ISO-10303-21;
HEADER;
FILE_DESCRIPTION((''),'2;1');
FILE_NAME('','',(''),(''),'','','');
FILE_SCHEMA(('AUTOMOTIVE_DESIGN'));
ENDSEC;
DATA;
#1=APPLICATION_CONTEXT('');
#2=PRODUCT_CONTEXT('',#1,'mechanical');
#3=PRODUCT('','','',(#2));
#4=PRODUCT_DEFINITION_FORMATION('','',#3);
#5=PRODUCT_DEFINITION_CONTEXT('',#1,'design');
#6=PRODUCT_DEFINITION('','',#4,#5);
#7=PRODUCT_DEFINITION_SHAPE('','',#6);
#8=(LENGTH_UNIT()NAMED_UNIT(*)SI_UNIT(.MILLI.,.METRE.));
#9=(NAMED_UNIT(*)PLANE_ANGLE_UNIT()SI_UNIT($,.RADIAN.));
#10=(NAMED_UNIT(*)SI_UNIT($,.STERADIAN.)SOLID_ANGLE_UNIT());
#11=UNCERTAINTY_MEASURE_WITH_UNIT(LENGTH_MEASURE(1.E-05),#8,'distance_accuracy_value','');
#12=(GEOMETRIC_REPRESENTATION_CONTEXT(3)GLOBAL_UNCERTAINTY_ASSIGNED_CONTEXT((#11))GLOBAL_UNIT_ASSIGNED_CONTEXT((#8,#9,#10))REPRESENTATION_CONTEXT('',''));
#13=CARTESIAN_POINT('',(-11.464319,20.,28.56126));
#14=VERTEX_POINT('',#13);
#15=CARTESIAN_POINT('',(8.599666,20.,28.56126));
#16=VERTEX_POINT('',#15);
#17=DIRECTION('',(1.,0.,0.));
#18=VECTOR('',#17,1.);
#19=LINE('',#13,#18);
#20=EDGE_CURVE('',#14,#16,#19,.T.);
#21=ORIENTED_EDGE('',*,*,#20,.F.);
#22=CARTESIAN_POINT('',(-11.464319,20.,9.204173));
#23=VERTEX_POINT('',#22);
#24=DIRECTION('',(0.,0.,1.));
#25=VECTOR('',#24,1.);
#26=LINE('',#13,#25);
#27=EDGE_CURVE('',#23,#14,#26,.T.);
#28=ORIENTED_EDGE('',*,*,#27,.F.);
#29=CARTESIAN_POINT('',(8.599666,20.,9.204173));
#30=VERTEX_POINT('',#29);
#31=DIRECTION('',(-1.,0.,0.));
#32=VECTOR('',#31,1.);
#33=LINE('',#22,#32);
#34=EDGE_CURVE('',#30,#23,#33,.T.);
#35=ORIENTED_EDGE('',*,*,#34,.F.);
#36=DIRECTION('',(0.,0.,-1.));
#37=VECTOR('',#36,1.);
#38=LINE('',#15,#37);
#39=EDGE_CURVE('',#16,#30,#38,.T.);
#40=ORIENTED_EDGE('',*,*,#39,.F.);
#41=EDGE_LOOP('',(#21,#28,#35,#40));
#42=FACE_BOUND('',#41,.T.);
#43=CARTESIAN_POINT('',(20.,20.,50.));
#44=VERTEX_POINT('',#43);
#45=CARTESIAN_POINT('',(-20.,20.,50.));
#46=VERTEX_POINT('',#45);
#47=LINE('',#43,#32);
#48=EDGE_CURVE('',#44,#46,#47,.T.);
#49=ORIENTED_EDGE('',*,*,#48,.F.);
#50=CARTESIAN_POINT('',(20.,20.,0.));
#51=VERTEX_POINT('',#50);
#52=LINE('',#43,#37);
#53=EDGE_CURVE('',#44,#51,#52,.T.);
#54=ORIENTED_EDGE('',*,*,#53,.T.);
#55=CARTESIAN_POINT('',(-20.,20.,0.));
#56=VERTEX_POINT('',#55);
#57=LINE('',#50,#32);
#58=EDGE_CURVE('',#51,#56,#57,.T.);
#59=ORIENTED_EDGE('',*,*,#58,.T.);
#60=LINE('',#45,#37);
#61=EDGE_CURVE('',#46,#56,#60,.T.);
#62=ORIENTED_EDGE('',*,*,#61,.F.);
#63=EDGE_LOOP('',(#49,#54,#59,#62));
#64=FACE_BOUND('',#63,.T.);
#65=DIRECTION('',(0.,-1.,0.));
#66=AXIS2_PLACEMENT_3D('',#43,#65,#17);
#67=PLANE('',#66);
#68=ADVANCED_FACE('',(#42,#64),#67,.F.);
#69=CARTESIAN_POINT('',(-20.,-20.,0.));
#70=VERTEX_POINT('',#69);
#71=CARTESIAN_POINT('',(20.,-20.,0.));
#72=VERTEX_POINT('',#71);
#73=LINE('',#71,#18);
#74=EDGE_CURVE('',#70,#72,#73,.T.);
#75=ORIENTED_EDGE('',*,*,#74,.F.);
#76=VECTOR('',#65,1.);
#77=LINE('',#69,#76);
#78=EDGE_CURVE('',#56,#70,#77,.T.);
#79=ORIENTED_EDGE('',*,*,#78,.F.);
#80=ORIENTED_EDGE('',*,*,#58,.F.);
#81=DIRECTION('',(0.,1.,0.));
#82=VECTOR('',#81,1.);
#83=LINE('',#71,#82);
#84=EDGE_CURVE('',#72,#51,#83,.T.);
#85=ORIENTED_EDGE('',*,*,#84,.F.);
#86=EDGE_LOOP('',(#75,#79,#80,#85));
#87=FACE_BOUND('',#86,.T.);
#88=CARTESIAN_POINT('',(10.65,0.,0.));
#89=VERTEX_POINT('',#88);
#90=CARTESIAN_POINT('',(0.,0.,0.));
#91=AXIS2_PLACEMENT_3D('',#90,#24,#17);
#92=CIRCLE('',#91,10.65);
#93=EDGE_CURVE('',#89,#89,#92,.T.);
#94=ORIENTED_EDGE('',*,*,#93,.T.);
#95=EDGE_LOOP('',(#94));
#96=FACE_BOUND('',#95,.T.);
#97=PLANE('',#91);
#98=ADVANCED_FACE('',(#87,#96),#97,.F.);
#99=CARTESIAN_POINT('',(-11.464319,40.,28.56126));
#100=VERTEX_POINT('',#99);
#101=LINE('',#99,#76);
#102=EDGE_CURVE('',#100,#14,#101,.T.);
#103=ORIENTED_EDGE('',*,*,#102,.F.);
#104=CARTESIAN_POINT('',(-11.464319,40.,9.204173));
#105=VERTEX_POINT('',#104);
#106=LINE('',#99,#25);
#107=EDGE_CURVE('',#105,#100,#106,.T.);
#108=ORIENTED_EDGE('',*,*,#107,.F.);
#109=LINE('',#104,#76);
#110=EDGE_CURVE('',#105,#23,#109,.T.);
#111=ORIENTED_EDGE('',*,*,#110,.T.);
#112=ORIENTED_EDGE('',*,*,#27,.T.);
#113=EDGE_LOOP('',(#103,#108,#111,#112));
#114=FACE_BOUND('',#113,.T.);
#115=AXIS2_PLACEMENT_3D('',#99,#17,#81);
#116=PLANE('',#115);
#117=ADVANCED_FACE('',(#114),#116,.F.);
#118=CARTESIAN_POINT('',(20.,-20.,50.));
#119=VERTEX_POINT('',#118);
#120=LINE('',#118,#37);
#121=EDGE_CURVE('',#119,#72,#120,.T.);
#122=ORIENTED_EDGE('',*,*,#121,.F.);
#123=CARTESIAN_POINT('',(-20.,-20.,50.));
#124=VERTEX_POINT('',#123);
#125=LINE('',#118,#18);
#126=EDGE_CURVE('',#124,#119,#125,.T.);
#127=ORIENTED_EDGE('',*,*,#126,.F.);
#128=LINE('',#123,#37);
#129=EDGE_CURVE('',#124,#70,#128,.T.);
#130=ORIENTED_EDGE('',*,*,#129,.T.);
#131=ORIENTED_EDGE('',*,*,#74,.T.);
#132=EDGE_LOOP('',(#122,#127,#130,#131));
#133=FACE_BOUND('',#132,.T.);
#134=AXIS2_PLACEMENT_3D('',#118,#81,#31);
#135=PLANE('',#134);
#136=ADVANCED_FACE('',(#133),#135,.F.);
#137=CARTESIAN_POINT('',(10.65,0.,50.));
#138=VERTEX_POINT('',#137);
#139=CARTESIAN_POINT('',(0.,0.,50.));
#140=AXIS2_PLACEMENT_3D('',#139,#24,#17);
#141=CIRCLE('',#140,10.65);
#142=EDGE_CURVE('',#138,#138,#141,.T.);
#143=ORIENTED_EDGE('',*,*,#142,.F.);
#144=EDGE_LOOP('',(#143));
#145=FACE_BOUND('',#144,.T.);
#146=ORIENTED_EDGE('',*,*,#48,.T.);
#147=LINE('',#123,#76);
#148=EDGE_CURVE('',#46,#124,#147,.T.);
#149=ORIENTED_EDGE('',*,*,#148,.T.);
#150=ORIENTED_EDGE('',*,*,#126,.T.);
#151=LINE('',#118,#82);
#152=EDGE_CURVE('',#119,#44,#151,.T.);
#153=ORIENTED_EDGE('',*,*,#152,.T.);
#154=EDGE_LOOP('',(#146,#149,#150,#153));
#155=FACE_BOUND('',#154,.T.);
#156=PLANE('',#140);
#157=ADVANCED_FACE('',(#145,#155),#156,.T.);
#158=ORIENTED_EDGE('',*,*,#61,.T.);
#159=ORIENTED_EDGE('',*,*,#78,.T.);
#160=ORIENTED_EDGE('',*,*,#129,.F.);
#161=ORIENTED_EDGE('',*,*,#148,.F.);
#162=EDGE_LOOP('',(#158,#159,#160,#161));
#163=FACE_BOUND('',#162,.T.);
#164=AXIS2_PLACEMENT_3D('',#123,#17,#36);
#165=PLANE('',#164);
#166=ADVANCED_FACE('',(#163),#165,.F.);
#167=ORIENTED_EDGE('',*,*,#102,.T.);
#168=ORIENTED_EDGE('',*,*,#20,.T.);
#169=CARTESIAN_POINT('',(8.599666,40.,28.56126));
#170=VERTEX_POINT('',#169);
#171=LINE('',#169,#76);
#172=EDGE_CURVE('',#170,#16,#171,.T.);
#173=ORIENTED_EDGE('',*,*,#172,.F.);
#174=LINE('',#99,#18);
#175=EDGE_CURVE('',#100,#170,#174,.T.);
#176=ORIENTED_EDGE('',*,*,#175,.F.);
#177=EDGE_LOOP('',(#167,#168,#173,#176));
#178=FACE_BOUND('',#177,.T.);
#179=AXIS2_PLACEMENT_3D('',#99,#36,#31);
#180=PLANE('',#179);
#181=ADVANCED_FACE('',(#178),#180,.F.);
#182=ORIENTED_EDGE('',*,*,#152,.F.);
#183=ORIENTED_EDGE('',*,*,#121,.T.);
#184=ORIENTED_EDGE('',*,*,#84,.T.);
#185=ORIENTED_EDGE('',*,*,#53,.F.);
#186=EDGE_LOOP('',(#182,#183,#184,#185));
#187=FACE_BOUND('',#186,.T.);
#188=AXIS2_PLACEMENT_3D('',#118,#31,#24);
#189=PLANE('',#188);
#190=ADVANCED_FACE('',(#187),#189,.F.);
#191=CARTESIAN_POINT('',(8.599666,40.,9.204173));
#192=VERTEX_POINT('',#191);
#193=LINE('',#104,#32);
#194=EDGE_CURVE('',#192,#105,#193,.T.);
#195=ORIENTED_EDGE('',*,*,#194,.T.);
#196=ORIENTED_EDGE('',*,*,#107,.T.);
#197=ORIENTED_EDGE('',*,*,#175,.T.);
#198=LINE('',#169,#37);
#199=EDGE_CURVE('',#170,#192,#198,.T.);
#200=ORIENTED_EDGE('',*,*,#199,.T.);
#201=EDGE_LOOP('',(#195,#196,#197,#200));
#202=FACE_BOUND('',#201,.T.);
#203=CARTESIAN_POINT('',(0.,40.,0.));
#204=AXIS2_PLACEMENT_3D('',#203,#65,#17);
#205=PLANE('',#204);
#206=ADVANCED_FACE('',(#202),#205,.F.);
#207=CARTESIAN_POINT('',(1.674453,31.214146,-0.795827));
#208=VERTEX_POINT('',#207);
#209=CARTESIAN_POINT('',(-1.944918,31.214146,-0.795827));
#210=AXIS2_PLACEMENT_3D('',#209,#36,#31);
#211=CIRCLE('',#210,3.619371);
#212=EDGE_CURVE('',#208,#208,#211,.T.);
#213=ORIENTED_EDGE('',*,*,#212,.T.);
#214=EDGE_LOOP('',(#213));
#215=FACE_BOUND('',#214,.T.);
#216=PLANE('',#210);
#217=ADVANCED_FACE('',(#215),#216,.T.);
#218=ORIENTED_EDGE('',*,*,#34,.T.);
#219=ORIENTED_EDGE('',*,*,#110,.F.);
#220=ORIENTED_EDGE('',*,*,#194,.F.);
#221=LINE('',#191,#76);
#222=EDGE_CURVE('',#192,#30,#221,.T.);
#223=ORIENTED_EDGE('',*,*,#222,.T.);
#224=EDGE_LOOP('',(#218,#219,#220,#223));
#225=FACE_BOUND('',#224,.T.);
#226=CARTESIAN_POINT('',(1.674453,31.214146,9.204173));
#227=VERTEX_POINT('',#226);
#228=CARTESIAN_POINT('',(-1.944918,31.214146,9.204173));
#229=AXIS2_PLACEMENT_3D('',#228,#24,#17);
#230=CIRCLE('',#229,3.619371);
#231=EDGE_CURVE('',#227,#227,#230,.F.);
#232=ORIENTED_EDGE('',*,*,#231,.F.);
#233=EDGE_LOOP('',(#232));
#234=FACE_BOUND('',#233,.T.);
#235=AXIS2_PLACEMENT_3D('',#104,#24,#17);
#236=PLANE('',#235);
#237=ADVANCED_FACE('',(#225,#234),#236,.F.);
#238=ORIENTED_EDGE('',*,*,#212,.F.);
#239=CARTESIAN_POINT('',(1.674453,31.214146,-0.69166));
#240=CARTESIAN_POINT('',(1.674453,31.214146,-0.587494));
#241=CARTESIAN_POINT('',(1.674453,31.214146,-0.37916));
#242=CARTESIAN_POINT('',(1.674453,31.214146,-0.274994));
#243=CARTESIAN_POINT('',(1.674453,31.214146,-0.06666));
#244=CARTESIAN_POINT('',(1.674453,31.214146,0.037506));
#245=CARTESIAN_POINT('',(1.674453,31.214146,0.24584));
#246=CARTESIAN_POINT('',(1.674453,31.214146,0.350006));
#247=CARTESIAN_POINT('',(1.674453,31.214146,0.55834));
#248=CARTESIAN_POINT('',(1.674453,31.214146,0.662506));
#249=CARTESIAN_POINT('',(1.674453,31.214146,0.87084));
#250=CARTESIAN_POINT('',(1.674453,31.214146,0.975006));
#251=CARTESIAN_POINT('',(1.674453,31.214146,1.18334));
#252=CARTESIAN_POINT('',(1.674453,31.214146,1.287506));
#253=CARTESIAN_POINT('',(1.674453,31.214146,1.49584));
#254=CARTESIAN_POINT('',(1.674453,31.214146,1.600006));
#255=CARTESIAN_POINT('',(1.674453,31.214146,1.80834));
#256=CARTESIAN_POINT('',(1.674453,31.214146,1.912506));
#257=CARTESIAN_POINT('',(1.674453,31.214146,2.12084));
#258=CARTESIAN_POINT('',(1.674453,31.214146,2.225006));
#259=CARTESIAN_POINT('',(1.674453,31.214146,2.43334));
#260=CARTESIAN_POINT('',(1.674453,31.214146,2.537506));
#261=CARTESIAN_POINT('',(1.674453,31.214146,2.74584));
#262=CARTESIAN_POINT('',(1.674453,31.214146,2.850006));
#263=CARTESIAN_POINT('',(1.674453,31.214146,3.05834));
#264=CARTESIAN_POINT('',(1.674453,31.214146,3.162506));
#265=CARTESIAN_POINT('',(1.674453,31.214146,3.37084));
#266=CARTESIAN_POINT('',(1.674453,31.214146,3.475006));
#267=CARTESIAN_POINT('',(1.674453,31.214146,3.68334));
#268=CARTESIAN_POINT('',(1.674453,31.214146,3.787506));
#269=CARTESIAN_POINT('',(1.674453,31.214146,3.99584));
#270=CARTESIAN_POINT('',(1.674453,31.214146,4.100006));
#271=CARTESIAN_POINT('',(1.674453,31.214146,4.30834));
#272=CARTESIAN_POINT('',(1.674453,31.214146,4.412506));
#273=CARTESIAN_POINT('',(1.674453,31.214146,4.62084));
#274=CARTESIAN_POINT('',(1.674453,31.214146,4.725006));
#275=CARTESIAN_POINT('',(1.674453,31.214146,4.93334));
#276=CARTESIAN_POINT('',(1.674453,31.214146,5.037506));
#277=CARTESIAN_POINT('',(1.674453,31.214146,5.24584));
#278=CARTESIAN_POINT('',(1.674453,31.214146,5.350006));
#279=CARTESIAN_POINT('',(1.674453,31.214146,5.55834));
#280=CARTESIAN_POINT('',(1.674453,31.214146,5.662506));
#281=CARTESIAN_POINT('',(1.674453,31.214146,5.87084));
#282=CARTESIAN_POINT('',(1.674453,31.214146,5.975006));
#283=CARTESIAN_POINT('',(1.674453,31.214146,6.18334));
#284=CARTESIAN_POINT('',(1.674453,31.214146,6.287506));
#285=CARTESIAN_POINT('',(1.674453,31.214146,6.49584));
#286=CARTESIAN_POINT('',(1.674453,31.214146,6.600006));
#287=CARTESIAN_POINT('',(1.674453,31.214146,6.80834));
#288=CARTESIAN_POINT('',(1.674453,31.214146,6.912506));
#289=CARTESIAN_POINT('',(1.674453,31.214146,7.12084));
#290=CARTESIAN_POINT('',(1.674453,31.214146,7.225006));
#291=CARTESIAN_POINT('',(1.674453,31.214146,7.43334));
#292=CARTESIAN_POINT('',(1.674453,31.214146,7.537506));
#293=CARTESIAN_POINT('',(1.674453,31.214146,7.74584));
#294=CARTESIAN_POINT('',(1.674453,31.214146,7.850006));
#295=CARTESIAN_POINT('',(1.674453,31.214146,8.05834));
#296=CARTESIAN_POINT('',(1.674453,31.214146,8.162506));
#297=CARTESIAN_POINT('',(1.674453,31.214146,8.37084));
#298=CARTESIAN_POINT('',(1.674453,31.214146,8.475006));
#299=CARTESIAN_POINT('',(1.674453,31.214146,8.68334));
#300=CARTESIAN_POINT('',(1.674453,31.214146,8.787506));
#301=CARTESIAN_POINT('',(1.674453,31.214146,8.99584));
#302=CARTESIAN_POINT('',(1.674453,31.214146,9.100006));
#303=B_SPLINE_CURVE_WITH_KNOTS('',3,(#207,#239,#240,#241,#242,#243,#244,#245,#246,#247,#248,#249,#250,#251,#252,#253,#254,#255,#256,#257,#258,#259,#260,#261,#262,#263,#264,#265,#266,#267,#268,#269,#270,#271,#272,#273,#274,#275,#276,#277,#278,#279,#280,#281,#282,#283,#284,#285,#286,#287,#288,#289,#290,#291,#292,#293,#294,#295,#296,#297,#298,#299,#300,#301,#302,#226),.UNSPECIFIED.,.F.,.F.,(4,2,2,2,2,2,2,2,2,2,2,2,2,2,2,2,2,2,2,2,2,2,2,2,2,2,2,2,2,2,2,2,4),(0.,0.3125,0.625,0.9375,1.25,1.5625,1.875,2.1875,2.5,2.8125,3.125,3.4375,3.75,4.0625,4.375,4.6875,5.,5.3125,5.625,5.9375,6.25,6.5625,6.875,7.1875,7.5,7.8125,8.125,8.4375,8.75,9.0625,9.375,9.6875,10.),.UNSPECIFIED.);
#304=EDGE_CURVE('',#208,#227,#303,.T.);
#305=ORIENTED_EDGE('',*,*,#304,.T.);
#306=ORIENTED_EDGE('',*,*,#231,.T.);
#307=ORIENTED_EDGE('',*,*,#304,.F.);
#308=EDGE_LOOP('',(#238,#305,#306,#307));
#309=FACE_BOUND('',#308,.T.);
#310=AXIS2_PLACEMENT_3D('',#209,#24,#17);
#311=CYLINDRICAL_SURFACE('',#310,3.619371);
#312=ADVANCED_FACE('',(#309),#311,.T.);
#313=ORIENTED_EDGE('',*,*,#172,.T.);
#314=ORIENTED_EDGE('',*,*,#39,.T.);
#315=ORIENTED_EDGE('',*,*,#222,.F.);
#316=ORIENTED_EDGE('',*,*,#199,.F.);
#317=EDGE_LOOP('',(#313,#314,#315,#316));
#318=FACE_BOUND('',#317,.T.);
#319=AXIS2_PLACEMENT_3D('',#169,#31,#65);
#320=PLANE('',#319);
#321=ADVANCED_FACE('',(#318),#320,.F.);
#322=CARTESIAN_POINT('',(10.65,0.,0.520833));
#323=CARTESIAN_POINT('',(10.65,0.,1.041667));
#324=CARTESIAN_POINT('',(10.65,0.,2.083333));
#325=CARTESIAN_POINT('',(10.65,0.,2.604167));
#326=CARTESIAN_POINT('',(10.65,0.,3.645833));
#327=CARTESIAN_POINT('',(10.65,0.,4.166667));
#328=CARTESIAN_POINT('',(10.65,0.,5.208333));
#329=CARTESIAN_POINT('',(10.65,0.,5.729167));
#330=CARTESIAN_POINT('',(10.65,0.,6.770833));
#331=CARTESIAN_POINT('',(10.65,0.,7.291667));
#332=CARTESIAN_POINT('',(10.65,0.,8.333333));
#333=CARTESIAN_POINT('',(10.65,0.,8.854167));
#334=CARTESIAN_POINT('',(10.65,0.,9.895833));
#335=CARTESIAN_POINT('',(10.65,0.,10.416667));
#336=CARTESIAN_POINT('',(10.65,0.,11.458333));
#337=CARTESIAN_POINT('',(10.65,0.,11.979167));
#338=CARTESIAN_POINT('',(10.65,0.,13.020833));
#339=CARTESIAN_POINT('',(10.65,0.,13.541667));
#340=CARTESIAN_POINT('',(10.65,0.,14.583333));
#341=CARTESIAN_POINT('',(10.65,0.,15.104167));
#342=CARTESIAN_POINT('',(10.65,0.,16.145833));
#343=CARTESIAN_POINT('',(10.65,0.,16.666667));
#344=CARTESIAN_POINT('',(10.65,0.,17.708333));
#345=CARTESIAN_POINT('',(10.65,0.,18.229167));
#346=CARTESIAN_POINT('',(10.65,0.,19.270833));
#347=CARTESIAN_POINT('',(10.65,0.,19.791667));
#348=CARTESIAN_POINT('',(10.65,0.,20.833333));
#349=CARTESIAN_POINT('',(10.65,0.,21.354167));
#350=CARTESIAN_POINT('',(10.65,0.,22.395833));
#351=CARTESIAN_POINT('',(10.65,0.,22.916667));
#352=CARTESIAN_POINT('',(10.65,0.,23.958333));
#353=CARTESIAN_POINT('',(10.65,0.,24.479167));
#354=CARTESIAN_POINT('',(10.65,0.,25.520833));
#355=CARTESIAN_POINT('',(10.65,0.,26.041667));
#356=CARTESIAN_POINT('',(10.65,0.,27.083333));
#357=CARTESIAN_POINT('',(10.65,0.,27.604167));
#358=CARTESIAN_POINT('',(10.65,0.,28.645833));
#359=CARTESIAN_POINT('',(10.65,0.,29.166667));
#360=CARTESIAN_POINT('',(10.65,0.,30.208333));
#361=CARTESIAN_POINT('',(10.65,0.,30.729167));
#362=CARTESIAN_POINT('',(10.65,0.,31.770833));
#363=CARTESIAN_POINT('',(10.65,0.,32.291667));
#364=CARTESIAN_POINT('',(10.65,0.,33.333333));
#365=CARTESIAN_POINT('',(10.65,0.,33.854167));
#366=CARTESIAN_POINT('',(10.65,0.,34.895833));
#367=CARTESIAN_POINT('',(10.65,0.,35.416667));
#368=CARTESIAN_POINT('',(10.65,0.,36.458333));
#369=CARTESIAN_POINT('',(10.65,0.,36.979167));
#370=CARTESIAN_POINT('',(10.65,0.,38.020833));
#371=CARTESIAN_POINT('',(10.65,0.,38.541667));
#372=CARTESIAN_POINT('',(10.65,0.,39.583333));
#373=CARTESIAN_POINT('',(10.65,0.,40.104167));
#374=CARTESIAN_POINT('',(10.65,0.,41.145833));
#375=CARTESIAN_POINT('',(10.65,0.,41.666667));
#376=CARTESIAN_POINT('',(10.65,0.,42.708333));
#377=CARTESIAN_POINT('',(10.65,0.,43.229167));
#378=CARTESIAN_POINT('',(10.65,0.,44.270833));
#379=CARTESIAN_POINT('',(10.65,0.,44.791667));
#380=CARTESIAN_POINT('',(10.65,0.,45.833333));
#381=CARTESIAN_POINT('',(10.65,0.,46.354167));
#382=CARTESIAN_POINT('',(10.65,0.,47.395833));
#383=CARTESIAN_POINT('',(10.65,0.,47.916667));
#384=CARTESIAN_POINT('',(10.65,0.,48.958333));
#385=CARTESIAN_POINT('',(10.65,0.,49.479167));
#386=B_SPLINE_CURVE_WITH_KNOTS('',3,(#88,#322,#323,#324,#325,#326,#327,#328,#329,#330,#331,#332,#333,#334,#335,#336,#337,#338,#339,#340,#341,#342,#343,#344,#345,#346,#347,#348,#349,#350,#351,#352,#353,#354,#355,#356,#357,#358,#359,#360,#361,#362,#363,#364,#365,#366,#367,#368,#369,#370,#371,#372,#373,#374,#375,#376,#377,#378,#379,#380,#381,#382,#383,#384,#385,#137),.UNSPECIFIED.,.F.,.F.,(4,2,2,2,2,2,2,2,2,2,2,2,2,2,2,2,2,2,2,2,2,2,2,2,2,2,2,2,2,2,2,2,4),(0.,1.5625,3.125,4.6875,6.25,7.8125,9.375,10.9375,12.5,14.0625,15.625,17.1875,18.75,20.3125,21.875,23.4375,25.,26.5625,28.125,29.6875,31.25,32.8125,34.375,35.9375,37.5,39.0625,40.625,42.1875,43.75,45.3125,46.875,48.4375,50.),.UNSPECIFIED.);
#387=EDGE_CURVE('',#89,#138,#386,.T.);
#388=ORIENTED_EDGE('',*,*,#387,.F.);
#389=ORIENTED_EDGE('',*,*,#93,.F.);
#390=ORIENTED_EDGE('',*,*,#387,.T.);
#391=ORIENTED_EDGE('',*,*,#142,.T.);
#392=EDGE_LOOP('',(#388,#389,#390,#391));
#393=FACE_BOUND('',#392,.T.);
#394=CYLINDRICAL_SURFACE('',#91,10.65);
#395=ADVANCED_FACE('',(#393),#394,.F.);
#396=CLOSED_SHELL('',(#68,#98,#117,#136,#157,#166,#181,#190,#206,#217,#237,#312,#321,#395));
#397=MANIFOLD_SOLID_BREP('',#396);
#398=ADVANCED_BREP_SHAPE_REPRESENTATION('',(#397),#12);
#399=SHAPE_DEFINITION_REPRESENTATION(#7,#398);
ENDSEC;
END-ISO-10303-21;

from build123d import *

# Parameters (mm, degrees)
SKETCH1_W           = 40
SKETCH1_H           = 40
BOSS_EXTRUDE1_DEPTH = 50
SKETCH2_R           = 10.65
CUT_EXTRUDE1_DEPTH  = 58.445626465
SKETCH3_W           = 20.063984789
SKETCH3_H           = 19.357087105
BOSS_EXTRUDE2_DEPTH = 20
SKETCH4_R           = 3.619370809
BOSS_EXTRUDE3_DEPTH = 10


with BuildPart() as part:
    # Sketch1 → Boss-Extrude1 (new body)
    with BuildSketch(Plane.XY):
        Rectangle(SKETCH1_W, SKETCH1_H)
    extrude(amount=BOSS_EXTRUDE1_DEPTH)

    # Sketch2 → Cut-Extrude1 (cut, through all)
    with BuildSketch(Plane.XY.offset(50)):
        Circle(SKETCH2_R)
    extrude(amount=-CUT_EXTRUDE1_DEPTH, mode=Mode.SUBTRACT)

    # Sketch3 → Boss-Extrude2 (add)
    with BuildSketch(Plane(origin=(0, 20, 0), x_dir=(1, 0, 0), z_dir=(0, 1, 0))):
        with Locations((-1.432326622, -18.882716681)):
            Rectangle(SKETCH3_W, SKETCH3_H)
    extrude(amount=BOSS_EXTRUDE2_DEPTH)

    # Sketch4 → Boss-Extrude3 (add)
    with BuildSketch(Plane(origin=(0, 0, 9.204173129), x_dir=(-1, 0, 0), z_dir=(0, 0, -1))):
        with Locations(Location((1.944917796, 31.214146172, 0), (0, 0, 180))):
            Circle(SKETCH4_R)
    extrude(amount=BOSS_EXTRUDE3_DEPTH)


solid = part.part
